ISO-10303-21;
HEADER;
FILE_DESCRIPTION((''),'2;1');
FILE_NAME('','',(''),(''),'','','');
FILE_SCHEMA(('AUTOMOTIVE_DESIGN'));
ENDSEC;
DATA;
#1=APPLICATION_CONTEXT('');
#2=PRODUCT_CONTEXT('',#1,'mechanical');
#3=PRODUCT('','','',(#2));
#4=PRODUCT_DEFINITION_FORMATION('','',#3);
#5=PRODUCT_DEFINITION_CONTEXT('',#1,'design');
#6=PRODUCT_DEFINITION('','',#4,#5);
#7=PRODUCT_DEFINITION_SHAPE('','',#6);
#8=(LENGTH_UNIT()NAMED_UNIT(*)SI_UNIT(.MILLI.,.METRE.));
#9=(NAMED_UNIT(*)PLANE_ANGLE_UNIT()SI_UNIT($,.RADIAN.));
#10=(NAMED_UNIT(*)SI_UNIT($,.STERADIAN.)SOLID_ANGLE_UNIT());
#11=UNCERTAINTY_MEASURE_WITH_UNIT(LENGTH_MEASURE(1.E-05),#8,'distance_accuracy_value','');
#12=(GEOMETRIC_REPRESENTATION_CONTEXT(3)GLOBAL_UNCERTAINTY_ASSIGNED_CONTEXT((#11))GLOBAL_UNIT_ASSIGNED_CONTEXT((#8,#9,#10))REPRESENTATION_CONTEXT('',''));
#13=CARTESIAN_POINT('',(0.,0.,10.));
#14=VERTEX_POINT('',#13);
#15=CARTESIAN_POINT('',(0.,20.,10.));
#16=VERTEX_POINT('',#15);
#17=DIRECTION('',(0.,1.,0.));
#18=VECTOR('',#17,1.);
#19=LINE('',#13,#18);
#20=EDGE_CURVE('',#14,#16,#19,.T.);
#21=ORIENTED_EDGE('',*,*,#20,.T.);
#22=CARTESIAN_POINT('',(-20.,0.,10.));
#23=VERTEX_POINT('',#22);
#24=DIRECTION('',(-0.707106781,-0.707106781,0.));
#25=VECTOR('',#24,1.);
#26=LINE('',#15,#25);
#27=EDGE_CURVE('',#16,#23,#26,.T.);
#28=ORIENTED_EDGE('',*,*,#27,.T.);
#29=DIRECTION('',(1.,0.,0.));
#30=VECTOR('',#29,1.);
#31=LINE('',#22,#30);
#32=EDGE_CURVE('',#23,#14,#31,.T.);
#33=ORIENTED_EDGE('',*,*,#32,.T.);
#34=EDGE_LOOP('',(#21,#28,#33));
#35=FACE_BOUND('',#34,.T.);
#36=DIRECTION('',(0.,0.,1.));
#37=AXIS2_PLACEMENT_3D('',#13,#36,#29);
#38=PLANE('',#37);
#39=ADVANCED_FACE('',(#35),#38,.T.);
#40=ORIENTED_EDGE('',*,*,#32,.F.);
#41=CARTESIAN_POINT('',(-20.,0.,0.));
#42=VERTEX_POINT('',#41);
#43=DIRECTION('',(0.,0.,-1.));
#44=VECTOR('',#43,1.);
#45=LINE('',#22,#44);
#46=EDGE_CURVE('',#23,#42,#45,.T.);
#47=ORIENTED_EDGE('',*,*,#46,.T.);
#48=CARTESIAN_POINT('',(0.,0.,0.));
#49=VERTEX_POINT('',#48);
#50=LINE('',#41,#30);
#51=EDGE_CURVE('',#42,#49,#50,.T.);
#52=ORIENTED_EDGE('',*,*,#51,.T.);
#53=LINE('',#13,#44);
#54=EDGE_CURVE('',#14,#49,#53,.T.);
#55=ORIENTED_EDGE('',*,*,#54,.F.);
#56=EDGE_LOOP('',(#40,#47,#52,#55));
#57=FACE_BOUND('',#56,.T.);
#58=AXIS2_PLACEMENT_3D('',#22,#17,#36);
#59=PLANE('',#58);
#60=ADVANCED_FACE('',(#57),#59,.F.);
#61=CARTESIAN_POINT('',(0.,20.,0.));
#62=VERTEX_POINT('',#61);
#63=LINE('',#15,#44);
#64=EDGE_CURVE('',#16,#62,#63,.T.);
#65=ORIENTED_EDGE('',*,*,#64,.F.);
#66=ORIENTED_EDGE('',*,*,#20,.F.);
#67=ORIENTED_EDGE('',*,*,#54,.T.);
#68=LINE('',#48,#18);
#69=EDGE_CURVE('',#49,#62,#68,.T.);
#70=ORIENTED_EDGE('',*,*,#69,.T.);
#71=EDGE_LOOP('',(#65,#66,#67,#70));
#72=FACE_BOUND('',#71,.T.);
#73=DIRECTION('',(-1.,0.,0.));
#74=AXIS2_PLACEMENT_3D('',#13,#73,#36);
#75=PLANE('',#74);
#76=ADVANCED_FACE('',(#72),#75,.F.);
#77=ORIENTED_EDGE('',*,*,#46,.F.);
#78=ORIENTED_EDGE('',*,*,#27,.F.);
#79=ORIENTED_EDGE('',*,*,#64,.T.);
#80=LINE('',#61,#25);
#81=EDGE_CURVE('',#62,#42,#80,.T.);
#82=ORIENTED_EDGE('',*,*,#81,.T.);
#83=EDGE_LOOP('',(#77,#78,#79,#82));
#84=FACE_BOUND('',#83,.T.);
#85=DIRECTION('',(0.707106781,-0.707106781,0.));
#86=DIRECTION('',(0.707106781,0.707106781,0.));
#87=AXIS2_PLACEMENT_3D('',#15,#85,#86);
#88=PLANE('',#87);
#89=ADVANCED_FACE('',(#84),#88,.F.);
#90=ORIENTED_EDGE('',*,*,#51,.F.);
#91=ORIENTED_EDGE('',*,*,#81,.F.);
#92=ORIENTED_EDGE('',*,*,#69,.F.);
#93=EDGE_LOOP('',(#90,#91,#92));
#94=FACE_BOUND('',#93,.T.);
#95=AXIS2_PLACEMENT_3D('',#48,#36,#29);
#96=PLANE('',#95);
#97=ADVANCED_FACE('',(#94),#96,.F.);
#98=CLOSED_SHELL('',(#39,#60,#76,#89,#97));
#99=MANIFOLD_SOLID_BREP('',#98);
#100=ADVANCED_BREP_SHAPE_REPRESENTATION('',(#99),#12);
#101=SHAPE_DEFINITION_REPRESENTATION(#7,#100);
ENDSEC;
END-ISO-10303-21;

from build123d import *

# Parameters (mm, degrees)
BOSS_EXTRUDE1_DEPTH = 10


with BuildPart() as part:
    # Sketch1 → Boss-Extrude1 (new body)
    with BuildSketch(Plane.XY):
        Polygon((0, 0), (0, 20), (-20, 0), align=None)
    extrude(amount=BOSS_EXTRUDE1_DEPTH)


solid = part.part
